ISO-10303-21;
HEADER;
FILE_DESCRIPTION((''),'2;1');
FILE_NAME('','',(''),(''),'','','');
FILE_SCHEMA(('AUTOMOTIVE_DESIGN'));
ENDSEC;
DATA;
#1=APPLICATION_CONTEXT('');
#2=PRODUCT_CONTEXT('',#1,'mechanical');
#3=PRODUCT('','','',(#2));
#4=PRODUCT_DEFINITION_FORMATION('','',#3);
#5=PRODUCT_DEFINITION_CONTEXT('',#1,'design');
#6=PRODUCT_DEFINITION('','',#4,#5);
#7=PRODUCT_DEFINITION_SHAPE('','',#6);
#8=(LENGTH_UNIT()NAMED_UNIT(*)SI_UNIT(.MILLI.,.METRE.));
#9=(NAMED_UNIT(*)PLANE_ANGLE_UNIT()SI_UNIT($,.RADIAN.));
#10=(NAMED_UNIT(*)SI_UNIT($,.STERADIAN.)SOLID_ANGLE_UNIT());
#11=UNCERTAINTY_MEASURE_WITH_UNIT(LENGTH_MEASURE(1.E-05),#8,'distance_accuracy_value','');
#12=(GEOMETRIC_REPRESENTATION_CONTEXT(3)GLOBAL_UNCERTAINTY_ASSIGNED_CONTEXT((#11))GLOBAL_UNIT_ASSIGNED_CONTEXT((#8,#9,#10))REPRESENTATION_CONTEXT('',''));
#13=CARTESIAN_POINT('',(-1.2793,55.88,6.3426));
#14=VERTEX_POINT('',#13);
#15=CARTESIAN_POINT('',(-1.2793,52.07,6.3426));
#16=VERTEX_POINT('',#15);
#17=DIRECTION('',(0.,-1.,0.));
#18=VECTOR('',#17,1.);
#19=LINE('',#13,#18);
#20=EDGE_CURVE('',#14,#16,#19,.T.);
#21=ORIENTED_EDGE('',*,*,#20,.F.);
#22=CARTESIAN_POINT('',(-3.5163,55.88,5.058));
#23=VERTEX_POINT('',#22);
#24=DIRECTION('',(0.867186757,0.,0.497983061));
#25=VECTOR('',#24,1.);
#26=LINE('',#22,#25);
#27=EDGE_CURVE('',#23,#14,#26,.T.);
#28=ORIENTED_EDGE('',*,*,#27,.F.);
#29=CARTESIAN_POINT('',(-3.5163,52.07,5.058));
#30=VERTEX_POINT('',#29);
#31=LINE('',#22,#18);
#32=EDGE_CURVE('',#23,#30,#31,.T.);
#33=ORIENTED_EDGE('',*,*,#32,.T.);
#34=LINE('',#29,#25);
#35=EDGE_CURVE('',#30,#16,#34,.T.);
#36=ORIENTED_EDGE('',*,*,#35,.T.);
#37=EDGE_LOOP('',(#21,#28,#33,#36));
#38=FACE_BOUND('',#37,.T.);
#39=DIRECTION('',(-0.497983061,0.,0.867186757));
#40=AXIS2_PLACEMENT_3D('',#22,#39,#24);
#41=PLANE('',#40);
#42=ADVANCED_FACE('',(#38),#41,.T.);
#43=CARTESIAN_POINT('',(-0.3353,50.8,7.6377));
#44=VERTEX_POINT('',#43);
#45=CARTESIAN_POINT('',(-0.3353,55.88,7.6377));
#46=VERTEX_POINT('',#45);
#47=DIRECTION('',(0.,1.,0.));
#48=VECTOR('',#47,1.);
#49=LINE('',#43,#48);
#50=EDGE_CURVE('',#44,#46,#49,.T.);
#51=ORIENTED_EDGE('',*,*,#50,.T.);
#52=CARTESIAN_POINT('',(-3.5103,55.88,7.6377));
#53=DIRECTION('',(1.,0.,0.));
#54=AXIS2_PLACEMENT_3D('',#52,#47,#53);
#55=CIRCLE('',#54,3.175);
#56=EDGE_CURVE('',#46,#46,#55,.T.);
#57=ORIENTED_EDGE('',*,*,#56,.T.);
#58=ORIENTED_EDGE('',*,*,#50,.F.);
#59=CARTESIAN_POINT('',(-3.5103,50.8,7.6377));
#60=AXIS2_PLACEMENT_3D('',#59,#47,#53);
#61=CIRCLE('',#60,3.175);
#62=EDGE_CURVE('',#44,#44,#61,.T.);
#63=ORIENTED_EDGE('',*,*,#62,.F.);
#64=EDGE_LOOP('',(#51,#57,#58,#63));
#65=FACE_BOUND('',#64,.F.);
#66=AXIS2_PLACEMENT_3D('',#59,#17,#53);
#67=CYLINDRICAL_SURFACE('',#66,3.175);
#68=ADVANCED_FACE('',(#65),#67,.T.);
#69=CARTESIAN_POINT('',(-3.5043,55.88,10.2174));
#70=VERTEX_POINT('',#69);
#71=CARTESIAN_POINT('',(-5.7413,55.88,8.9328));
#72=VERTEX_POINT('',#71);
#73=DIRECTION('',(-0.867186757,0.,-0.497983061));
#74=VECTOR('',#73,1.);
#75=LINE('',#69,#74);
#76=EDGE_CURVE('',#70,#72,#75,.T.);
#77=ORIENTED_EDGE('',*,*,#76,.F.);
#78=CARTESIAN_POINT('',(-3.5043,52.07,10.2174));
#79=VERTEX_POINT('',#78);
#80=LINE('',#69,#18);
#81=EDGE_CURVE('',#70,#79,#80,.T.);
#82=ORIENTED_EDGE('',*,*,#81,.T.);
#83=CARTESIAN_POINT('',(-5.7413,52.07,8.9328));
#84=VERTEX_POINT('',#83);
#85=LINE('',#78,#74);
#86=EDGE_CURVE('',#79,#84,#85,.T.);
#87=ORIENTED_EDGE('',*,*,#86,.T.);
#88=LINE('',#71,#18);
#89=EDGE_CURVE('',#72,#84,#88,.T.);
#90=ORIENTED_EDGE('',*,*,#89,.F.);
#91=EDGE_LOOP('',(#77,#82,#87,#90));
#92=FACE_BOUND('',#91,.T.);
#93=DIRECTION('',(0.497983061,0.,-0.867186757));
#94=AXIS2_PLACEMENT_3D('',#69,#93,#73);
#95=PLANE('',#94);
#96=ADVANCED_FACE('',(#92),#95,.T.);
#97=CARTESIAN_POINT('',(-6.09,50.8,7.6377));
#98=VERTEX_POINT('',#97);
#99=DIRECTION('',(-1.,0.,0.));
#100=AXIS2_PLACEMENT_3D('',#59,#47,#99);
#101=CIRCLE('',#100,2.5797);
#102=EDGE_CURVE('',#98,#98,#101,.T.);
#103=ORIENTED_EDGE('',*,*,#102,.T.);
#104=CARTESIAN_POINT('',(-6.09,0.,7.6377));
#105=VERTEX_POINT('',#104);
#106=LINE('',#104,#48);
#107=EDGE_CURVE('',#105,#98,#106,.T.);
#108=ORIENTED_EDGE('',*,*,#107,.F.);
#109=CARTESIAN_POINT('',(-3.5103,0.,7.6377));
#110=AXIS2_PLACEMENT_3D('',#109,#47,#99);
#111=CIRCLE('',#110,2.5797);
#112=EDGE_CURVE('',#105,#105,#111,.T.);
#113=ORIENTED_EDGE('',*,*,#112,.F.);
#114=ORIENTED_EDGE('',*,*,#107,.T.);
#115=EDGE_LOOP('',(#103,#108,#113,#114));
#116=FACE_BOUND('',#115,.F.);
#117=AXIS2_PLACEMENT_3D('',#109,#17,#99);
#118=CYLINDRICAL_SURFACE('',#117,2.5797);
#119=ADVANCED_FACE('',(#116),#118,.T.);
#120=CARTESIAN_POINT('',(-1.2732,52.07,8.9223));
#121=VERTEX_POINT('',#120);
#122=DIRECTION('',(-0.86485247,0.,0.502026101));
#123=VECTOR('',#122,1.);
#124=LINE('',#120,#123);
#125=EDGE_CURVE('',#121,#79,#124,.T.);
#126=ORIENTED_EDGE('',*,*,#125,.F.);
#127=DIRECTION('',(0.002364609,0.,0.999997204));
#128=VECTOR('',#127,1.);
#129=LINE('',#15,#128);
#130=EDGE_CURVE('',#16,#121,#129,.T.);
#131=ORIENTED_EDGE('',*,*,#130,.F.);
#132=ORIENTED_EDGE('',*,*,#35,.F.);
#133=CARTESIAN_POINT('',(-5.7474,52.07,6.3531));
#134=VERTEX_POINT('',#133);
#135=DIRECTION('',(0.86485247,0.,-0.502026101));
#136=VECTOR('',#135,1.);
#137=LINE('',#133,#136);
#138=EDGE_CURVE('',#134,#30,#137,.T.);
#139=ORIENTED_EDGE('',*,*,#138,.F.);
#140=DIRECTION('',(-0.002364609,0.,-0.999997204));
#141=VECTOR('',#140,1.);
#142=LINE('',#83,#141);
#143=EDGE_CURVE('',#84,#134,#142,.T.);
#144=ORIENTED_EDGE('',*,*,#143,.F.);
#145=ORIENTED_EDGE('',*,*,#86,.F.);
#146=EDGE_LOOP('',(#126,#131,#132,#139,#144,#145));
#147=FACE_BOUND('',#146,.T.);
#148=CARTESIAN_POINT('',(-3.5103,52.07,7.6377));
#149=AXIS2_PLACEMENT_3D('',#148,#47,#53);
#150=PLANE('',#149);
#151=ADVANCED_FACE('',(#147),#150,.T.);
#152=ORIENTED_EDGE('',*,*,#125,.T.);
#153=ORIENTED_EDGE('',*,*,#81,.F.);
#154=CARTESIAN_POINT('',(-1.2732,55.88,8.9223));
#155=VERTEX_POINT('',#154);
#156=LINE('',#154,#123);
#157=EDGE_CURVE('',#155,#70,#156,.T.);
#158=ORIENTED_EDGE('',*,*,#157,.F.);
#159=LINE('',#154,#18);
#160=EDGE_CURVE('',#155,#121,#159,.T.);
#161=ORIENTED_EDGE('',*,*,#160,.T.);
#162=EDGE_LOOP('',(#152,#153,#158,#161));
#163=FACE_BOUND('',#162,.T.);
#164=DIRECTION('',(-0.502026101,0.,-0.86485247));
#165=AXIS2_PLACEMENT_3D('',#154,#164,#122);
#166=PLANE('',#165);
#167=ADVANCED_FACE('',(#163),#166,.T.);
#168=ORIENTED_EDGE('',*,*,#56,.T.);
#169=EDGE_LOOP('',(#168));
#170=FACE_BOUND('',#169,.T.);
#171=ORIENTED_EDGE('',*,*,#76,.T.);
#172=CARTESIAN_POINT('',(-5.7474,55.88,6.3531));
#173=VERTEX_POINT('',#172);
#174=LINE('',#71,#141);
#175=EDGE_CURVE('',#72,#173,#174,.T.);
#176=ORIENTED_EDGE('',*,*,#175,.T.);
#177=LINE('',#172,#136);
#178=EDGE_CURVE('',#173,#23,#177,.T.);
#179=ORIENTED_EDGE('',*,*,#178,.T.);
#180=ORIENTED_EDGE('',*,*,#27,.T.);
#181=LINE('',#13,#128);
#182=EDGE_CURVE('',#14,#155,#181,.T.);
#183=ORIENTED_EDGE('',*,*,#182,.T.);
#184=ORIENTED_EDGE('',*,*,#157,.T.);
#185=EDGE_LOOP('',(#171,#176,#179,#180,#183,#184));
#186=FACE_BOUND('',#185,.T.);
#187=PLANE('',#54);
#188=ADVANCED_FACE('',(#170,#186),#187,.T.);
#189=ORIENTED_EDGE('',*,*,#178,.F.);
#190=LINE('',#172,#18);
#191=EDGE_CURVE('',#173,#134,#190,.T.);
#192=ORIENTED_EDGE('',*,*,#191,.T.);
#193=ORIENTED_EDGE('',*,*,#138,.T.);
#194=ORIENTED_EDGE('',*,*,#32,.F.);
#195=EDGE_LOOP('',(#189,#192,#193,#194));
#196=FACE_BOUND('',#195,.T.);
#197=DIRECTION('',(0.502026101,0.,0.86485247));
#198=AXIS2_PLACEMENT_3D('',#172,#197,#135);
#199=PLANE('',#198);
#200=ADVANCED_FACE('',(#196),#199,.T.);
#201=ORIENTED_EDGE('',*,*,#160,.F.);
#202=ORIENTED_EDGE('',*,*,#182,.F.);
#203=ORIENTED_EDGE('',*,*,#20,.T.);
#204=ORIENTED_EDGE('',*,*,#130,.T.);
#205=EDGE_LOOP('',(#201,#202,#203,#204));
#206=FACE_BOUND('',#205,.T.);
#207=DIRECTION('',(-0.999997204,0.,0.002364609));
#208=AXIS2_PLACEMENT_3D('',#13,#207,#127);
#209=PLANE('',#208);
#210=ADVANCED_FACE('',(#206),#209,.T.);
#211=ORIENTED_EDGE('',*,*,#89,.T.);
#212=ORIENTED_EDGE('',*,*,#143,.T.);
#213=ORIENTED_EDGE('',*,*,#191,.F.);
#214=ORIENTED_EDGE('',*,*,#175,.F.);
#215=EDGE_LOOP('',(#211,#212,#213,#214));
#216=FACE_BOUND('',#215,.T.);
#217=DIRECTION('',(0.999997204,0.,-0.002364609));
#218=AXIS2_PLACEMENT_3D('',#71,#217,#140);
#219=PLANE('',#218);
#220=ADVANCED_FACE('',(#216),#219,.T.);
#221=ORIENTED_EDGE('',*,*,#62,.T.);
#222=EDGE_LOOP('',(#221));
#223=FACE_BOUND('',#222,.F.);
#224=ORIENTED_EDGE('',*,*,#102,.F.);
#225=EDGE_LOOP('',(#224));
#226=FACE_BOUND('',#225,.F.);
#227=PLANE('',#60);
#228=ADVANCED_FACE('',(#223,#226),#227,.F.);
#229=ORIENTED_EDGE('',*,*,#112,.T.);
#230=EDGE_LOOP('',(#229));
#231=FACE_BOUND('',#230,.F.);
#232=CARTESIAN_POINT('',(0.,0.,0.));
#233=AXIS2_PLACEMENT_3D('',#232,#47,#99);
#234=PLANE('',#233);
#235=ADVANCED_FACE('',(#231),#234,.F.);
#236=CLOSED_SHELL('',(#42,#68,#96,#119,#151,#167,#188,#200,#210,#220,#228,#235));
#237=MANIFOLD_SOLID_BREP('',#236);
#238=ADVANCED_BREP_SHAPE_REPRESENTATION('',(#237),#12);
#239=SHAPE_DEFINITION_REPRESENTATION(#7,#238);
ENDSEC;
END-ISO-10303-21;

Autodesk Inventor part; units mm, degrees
ref_plane "YZ Plane" through (0, 0, 0) normal (1, 0, 0) x (0, 1, 0)
ref_plane "XZ Plane" through (0, 0, 0) normal (0, 1, 0) x (-1, 0, 0)
ref_plane "XY Plane" through (0, 0, 0) normal (0, 0, 1) x (1, 0, 0)
sketch "Sketch1" plane through (0, 0, 0) normal (0, 1, 0) x (-1, 0, 0)
  circle A0 centre (3.5103, 7.6377) radius 2.5797
  point P0 (0, 0)
  dimension "d0" = 5.1594
extrude "Extrusion1" add sketch "Sketch1" along normal blind 50.8
sketch "Sketch2" plane through (-3.5103, 50.8, 7.6377) normal (0, 1, 0) x (1, 0, 0)
  circle A0 centre (0, 0) radius 3.175
  point P0 (3.5103, 7.6377)
  dimension "d3" = 6.35
extrude "Extrusion2" add sketch "Sketch2" along normal blind 5.08
sketch "Sketch3" plane through (-3.5103, 55.88, 7.6377) normal (0, 1, 0) x (1, 0, 0)
  circle A0 centre (0, 0) radius 2.5797 projected
  line L0 (2.231, 1.2951) -> (2.2371, -1.2846)
  line L1 (2.2371, -1.2846) -> (0.006, -2.5797)
  line L2 (0.006, -2.5797) -> (-2.231, -1.2951)
  line L3 (-2.231, -1.2951) -> (-2.2371, 1.2846)
  line L4 (-2.2371, 1.2846) -> (-0.006, 2.5797)
  line L5 (-0.006, 2.5797) -> (2.231, 1.2951)
  point P0 (3.5103, 7.6377)
extrude "Extrusion3" cut sketch "Sketch3" against normal blind 3.81 contours L0 L1 L2 L3 L4 L5
properties part number "Bolt 13_64 Representation"
